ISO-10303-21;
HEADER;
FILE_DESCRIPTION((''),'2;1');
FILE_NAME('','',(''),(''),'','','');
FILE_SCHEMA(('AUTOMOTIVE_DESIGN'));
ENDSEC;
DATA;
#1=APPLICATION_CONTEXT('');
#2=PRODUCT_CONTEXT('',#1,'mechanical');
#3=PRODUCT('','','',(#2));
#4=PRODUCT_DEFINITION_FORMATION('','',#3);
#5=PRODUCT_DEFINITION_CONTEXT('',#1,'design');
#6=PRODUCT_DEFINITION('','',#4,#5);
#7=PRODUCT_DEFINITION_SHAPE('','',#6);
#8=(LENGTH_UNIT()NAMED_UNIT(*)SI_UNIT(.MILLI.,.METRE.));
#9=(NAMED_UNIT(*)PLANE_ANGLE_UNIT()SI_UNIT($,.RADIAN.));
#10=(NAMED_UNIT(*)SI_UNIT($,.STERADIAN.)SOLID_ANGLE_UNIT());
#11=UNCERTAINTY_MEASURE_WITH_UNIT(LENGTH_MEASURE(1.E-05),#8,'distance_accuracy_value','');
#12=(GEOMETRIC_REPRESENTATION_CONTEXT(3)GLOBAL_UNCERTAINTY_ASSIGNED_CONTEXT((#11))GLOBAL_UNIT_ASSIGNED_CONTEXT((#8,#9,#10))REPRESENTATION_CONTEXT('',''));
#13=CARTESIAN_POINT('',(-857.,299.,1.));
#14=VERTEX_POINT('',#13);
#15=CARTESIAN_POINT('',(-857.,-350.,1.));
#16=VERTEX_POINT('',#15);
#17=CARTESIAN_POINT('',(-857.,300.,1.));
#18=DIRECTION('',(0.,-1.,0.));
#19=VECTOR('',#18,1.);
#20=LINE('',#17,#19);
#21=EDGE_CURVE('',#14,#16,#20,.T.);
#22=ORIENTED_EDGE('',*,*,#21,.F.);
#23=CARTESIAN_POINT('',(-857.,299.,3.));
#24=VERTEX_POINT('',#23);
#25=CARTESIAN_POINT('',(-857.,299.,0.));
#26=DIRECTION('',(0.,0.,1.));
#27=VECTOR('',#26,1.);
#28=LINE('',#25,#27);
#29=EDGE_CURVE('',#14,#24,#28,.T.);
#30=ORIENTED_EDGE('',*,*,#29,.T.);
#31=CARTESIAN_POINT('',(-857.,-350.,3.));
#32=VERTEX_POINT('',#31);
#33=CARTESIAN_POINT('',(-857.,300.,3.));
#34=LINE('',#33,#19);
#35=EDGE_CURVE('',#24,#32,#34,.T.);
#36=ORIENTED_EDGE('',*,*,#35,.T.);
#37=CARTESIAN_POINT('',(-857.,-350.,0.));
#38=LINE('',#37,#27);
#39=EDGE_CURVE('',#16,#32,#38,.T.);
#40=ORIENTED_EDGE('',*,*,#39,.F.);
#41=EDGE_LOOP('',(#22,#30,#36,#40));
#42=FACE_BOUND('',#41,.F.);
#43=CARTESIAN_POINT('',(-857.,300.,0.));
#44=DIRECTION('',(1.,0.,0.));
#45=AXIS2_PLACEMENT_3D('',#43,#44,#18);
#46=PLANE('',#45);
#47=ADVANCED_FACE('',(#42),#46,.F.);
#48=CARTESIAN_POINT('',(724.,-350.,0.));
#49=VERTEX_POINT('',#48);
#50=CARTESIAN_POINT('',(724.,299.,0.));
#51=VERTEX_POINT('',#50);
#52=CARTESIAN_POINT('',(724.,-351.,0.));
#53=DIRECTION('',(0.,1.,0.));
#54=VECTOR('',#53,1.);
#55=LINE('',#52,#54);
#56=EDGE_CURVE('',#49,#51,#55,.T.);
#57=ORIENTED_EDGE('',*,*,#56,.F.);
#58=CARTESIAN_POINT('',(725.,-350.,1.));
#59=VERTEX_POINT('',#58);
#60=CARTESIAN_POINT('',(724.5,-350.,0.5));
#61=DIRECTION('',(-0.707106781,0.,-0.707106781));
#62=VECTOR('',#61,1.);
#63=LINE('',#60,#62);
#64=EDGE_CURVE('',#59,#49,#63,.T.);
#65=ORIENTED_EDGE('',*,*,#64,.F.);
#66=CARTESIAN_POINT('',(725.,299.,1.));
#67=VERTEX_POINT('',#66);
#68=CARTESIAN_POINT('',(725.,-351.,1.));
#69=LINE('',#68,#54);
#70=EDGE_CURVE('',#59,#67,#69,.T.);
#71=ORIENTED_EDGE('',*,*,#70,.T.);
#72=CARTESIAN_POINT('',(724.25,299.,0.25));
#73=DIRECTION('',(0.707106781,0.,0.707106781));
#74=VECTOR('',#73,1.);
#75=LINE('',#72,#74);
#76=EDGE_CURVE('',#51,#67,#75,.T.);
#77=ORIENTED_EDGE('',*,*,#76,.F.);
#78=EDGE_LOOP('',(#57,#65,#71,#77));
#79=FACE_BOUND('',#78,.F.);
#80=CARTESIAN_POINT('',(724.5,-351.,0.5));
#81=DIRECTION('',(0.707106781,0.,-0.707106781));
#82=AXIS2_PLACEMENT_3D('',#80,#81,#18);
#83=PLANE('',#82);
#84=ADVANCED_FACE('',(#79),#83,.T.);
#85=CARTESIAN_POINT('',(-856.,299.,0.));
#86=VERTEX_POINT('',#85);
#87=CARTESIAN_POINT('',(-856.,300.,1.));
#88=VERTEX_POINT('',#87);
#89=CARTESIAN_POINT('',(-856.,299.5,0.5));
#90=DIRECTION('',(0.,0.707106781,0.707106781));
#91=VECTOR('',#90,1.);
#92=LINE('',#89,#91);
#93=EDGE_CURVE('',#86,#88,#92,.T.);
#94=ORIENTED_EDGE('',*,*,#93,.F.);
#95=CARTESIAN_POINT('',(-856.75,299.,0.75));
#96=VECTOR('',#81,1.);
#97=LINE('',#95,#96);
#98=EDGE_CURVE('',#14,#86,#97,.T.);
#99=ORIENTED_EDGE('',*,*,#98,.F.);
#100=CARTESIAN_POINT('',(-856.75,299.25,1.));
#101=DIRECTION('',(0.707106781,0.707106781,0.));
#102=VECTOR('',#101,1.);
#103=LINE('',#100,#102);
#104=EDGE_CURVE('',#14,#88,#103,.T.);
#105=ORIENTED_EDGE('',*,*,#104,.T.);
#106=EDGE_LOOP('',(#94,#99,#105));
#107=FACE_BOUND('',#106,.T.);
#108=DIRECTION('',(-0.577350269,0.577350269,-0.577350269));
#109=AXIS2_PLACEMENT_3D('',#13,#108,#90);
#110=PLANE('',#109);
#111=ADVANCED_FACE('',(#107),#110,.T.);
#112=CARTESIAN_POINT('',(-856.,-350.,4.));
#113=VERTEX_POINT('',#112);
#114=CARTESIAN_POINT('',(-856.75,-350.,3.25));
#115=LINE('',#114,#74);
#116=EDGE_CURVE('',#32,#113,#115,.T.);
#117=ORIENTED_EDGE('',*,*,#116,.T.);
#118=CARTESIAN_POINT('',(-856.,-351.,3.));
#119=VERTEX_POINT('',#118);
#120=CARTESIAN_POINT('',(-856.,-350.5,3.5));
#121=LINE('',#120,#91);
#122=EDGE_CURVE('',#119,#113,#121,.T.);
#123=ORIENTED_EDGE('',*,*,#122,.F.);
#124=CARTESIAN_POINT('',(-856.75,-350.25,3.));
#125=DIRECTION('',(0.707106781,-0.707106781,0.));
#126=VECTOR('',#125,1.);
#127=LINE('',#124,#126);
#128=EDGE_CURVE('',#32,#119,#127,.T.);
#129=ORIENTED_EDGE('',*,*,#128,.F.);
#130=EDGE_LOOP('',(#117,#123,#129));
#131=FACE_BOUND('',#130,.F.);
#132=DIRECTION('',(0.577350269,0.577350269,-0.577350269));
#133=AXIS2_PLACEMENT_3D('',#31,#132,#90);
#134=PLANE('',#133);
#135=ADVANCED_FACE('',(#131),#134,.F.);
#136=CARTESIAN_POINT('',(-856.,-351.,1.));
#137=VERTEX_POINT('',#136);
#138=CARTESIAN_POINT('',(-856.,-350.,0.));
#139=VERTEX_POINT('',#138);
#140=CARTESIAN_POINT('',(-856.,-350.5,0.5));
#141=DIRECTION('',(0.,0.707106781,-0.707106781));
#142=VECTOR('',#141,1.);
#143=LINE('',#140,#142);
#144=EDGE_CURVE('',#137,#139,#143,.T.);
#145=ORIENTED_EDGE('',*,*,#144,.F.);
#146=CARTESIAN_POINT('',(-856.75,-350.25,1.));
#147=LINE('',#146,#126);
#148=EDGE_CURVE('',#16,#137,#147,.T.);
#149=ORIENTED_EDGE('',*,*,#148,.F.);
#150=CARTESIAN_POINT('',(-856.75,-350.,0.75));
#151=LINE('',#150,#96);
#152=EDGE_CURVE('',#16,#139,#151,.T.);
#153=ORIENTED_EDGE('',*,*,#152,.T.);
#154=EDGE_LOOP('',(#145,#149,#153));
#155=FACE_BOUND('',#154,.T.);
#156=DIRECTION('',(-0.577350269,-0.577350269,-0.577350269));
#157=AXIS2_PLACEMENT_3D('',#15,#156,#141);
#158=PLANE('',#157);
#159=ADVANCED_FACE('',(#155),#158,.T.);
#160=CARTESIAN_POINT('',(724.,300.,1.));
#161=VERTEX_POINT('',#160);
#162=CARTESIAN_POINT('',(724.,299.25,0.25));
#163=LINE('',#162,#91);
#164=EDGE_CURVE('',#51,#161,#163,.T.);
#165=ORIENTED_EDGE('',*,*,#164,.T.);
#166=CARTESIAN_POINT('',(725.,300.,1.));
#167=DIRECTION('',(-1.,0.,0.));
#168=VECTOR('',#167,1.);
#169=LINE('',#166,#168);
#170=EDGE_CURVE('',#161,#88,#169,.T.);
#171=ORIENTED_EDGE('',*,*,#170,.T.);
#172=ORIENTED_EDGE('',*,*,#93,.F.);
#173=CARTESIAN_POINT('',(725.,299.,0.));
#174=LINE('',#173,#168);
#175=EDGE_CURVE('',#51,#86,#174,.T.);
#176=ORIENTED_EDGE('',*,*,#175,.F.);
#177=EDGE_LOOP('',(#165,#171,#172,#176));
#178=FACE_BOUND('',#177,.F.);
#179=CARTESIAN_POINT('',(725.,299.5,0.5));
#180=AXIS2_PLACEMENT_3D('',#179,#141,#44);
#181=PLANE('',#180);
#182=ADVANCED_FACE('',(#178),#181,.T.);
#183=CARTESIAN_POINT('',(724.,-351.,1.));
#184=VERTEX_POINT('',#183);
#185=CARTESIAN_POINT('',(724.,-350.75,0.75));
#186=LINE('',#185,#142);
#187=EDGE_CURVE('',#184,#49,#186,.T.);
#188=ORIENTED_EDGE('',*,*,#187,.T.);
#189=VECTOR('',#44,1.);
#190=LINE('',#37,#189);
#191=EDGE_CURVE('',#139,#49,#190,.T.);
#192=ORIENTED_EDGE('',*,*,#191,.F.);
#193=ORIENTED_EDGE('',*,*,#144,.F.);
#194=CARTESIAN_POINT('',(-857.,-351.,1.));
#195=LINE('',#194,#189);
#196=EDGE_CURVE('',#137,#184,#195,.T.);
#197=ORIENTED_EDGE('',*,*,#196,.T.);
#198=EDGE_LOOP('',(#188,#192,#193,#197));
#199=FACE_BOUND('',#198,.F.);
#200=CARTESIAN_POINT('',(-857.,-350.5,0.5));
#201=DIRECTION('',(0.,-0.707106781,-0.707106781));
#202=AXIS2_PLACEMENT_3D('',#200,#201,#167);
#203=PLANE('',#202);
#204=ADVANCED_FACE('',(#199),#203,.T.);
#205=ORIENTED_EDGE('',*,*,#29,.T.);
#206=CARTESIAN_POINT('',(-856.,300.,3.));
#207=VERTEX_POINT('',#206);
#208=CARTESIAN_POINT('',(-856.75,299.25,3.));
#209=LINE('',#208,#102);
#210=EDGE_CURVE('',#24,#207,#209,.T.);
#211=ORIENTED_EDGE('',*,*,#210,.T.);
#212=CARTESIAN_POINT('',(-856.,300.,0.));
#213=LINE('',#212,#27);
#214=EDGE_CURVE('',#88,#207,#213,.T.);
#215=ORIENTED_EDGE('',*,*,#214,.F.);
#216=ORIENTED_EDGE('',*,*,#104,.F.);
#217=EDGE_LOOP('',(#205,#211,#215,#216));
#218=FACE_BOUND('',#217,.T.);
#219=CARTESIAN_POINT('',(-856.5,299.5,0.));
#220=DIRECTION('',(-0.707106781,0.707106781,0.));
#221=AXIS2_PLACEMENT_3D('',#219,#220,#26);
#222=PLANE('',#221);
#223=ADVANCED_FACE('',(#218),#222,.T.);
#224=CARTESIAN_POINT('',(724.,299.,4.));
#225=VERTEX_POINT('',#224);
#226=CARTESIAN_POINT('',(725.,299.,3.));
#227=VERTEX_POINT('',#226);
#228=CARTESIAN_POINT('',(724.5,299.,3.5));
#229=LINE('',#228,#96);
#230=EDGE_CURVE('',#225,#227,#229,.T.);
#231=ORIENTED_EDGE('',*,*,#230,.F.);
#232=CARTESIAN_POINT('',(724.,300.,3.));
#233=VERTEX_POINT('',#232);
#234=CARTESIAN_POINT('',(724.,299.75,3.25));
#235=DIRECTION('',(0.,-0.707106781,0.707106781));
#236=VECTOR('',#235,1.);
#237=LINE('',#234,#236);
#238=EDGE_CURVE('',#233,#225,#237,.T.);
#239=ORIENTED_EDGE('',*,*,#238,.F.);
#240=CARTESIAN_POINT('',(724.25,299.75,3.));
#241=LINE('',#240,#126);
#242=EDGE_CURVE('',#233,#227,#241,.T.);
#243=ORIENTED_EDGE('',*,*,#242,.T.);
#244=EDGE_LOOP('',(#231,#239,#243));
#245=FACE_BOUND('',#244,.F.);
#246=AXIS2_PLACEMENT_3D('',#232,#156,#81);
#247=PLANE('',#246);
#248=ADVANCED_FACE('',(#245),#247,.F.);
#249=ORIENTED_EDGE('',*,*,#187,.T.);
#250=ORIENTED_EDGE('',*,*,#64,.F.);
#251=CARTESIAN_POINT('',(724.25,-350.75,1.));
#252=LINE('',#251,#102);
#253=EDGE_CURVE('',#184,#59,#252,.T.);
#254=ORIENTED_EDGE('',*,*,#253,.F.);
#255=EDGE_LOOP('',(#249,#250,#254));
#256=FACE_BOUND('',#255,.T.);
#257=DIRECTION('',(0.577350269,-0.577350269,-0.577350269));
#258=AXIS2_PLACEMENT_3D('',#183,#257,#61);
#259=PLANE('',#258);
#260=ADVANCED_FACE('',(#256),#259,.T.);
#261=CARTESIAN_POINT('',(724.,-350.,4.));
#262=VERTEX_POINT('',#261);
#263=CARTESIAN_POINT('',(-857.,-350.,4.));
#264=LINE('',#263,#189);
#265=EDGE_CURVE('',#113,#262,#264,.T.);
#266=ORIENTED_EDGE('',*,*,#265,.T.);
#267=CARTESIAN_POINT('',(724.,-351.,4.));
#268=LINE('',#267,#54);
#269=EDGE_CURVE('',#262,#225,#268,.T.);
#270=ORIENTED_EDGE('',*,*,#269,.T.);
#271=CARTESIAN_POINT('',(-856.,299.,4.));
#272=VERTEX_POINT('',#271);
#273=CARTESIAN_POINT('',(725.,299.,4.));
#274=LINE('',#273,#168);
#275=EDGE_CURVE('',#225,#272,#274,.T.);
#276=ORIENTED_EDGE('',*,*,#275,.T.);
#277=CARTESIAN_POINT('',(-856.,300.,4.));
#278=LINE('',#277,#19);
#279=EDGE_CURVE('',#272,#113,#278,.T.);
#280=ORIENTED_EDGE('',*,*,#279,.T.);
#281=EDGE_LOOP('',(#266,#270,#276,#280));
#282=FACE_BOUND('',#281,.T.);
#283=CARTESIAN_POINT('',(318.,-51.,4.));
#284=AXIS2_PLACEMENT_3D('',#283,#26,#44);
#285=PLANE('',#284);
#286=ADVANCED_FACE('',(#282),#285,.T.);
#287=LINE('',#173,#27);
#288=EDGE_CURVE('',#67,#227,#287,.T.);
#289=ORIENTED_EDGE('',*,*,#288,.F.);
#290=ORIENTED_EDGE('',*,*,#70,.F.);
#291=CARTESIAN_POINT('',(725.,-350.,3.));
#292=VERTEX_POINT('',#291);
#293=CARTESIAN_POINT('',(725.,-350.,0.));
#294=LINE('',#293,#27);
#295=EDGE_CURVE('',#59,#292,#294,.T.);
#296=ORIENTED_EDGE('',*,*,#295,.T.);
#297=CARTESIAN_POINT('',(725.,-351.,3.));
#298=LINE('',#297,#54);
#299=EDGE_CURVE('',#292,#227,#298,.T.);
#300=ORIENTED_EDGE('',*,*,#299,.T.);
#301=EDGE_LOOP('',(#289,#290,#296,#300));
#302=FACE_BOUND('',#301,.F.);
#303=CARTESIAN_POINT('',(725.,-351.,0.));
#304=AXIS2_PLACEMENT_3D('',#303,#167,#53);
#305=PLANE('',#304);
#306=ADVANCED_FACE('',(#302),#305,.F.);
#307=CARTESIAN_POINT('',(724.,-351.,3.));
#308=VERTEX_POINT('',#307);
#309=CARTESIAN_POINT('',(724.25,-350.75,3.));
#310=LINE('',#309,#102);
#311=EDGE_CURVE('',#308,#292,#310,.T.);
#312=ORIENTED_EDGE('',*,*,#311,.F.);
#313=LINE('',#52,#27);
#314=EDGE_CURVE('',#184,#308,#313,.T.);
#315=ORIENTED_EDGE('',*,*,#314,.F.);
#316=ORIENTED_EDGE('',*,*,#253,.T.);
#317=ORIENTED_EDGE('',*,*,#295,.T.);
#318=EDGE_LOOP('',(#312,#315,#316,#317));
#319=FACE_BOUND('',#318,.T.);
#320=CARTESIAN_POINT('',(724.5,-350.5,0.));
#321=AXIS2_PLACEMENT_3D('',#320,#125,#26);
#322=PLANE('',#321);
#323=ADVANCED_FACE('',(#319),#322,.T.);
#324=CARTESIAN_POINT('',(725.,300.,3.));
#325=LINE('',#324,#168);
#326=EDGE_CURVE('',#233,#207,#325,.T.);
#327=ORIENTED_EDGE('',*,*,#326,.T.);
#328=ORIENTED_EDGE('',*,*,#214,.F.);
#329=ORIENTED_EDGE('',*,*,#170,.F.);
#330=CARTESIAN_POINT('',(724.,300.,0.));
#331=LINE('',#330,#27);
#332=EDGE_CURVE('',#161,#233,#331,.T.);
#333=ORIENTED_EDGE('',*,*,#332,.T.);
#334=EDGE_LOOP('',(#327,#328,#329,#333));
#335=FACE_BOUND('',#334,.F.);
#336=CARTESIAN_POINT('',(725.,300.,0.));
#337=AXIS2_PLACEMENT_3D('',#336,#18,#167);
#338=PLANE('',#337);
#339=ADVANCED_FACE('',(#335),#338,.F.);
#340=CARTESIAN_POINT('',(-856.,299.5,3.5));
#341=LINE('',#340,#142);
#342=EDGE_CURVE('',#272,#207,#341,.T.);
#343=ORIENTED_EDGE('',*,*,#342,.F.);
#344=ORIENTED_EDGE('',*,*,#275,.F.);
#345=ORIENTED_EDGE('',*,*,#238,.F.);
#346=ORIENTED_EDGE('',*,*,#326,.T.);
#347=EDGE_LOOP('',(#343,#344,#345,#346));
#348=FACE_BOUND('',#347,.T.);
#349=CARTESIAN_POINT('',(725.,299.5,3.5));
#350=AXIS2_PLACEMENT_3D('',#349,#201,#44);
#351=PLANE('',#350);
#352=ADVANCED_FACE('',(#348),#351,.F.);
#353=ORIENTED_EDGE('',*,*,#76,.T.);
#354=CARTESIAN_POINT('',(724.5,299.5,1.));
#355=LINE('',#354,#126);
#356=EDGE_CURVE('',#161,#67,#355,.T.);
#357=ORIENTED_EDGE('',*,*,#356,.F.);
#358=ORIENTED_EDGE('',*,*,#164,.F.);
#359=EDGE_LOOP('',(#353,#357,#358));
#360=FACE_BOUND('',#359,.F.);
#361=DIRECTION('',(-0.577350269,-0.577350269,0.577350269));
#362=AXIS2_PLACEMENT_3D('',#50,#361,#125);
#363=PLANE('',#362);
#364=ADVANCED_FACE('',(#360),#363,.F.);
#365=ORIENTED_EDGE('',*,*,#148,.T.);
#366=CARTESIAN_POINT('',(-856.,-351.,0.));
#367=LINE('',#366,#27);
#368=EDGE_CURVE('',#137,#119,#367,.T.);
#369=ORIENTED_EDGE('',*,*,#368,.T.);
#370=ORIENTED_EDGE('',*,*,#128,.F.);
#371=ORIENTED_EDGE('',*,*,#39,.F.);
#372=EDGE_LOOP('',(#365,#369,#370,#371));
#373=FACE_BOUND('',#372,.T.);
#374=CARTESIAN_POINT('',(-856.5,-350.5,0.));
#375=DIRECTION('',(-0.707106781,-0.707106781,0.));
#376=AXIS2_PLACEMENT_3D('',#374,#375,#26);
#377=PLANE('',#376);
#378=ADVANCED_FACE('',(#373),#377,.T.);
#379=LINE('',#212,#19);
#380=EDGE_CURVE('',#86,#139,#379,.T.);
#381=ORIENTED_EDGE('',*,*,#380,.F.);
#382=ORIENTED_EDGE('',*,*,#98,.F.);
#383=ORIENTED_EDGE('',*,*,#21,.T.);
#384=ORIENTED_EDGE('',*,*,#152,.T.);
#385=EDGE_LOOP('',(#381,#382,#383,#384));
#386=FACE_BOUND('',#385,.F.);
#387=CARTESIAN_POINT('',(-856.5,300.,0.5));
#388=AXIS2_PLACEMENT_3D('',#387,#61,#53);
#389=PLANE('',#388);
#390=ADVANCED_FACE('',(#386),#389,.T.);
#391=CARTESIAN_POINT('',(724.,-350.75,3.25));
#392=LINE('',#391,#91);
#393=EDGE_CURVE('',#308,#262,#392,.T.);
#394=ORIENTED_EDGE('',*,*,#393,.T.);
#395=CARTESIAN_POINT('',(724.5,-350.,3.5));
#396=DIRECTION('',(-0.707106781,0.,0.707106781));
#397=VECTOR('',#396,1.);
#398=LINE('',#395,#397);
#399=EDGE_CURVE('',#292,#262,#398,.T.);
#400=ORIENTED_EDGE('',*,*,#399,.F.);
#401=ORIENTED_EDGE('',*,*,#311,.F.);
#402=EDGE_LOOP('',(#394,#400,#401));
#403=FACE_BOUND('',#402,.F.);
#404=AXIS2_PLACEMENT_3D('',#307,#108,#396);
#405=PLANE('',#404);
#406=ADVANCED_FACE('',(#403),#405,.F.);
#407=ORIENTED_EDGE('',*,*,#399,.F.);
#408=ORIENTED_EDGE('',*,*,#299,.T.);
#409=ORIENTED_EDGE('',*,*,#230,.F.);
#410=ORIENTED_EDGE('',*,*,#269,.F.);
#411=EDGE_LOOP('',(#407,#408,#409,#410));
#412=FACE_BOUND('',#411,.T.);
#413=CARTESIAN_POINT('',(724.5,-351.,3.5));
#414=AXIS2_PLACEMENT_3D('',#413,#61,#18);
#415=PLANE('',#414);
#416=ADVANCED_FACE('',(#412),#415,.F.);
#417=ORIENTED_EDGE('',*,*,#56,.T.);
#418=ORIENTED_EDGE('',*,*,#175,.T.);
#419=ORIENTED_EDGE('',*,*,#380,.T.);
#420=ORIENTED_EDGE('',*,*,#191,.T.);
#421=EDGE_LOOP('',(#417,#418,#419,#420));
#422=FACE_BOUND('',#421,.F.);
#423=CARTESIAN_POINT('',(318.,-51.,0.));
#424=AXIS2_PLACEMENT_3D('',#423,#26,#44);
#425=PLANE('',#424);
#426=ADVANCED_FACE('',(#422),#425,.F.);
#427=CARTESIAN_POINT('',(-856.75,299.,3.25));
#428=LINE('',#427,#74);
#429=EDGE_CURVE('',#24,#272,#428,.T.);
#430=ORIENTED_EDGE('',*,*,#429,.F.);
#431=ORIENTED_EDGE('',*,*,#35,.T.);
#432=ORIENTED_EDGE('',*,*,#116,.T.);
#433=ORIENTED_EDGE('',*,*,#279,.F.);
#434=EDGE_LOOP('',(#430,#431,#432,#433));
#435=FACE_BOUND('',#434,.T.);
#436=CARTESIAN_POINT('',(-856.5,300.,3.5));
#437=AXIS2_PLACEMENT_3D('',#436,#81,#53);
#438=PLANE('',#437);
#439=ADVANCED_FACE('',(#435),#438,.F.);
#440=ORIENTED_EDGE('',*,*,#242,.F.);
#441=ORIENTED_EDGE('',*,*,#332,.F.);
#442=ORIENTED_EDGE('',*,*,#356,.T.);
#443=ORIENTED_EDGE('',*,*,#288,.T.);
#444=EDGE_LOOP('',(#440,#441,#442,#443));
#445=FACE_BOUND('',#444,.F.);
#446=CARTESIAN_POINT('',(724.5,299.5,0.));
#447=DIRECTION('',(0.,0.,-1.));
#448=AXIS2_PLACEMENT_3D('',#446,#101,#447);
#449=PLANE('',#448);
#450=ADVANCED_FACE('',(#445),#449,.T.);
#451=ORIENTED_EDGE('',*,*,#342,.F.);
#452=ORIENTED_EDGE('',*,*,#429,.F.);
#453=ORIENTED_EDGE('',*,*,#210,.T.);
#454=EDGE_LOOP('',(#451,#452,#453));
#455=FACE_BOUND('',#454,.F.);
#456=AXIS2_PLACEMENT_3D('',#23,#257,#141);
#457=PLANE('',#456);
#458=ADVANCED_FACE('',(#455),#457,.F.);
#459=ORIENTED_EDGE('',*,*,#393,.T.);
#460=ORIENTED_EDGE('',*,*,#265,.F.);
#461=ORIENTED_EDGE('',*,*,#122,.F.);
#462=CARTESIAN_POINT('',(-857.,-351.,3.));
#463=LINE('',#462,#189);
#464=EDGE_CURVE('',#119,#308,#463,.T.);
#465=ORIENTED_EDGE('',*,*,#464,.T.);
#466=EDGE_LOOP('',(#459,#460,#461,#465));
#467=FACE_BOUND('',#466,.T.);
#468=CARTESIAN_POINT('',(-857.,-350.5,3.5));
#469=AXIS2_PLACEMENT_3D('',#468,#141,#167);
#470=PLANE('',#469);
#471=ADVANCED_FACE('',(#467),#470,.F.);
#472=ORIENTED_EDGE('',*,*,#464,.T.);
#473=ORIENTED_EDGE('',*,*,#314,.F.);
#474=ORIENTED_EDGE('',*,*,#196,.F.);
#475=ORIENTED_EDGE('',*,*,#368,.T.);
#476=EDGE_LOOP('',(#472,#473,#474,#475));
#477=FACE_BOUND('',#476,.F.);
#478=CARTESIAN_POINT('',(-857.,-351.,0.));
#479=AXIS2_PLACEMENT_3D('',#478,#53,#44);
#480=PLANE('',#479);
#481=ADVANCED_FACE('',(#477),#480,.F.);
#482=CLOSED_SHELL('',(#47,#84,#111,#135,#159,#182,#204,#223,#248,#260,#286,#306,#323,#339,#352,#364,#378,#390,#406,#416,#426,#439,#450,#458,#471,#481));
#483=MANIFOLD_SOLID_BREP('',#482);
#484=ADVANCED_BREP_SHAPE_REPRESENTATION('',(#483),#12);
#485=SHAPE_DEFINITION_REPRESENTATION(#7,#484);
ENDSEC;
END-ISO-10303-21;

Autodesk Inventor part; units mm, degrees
ref_plane "YZ Plane" through (0, 0, 0) normal (1, 0, 0) x (0, 1, 0)
ref_plane "XZ Plane" through (0, 0, 0) normal (0, 1, 0) x (-1, 0, 0)
ref_plane "XY Plane" through (0, 0, 0) normal (0, 0, 1) x (1, 0, 0)
ref_plane "Work Plane1" through (318, -51, 0) normal (0, 0, 1) x (1, 0, 0)
sketch "Sketch1" plane through (318, -51, 0) normal (0, 0, 1) x (1, 0, 0)
  line L0 (407, 351) -> (-1175, 351) projected
  line L1 (-1175, 351) -> (-1175, -300) projected
  line L2 (-1175, -300) -> (407, -300) projected
  line L3 (407, -300) -> (407, 351) projected
  point P0 (-318, 51)
extrude "Extrusion1" add sketch "Sketch1" along normal blind 4
chamfer "Chamfer1" distance 1 angle 45 12 edges at (725, -25.5, 4) (-66, 300, 4) (725, 300, 2) (-66, 300, 0) (725, -25.5, 0) (725, -351, 2) (-66, -351, 4) (-66, -351, 0) (-857, -351, 2) (-857, -25.5, 0) (-857, -25.5, 4) (-857, 300, 2)
properties material "Glass"
